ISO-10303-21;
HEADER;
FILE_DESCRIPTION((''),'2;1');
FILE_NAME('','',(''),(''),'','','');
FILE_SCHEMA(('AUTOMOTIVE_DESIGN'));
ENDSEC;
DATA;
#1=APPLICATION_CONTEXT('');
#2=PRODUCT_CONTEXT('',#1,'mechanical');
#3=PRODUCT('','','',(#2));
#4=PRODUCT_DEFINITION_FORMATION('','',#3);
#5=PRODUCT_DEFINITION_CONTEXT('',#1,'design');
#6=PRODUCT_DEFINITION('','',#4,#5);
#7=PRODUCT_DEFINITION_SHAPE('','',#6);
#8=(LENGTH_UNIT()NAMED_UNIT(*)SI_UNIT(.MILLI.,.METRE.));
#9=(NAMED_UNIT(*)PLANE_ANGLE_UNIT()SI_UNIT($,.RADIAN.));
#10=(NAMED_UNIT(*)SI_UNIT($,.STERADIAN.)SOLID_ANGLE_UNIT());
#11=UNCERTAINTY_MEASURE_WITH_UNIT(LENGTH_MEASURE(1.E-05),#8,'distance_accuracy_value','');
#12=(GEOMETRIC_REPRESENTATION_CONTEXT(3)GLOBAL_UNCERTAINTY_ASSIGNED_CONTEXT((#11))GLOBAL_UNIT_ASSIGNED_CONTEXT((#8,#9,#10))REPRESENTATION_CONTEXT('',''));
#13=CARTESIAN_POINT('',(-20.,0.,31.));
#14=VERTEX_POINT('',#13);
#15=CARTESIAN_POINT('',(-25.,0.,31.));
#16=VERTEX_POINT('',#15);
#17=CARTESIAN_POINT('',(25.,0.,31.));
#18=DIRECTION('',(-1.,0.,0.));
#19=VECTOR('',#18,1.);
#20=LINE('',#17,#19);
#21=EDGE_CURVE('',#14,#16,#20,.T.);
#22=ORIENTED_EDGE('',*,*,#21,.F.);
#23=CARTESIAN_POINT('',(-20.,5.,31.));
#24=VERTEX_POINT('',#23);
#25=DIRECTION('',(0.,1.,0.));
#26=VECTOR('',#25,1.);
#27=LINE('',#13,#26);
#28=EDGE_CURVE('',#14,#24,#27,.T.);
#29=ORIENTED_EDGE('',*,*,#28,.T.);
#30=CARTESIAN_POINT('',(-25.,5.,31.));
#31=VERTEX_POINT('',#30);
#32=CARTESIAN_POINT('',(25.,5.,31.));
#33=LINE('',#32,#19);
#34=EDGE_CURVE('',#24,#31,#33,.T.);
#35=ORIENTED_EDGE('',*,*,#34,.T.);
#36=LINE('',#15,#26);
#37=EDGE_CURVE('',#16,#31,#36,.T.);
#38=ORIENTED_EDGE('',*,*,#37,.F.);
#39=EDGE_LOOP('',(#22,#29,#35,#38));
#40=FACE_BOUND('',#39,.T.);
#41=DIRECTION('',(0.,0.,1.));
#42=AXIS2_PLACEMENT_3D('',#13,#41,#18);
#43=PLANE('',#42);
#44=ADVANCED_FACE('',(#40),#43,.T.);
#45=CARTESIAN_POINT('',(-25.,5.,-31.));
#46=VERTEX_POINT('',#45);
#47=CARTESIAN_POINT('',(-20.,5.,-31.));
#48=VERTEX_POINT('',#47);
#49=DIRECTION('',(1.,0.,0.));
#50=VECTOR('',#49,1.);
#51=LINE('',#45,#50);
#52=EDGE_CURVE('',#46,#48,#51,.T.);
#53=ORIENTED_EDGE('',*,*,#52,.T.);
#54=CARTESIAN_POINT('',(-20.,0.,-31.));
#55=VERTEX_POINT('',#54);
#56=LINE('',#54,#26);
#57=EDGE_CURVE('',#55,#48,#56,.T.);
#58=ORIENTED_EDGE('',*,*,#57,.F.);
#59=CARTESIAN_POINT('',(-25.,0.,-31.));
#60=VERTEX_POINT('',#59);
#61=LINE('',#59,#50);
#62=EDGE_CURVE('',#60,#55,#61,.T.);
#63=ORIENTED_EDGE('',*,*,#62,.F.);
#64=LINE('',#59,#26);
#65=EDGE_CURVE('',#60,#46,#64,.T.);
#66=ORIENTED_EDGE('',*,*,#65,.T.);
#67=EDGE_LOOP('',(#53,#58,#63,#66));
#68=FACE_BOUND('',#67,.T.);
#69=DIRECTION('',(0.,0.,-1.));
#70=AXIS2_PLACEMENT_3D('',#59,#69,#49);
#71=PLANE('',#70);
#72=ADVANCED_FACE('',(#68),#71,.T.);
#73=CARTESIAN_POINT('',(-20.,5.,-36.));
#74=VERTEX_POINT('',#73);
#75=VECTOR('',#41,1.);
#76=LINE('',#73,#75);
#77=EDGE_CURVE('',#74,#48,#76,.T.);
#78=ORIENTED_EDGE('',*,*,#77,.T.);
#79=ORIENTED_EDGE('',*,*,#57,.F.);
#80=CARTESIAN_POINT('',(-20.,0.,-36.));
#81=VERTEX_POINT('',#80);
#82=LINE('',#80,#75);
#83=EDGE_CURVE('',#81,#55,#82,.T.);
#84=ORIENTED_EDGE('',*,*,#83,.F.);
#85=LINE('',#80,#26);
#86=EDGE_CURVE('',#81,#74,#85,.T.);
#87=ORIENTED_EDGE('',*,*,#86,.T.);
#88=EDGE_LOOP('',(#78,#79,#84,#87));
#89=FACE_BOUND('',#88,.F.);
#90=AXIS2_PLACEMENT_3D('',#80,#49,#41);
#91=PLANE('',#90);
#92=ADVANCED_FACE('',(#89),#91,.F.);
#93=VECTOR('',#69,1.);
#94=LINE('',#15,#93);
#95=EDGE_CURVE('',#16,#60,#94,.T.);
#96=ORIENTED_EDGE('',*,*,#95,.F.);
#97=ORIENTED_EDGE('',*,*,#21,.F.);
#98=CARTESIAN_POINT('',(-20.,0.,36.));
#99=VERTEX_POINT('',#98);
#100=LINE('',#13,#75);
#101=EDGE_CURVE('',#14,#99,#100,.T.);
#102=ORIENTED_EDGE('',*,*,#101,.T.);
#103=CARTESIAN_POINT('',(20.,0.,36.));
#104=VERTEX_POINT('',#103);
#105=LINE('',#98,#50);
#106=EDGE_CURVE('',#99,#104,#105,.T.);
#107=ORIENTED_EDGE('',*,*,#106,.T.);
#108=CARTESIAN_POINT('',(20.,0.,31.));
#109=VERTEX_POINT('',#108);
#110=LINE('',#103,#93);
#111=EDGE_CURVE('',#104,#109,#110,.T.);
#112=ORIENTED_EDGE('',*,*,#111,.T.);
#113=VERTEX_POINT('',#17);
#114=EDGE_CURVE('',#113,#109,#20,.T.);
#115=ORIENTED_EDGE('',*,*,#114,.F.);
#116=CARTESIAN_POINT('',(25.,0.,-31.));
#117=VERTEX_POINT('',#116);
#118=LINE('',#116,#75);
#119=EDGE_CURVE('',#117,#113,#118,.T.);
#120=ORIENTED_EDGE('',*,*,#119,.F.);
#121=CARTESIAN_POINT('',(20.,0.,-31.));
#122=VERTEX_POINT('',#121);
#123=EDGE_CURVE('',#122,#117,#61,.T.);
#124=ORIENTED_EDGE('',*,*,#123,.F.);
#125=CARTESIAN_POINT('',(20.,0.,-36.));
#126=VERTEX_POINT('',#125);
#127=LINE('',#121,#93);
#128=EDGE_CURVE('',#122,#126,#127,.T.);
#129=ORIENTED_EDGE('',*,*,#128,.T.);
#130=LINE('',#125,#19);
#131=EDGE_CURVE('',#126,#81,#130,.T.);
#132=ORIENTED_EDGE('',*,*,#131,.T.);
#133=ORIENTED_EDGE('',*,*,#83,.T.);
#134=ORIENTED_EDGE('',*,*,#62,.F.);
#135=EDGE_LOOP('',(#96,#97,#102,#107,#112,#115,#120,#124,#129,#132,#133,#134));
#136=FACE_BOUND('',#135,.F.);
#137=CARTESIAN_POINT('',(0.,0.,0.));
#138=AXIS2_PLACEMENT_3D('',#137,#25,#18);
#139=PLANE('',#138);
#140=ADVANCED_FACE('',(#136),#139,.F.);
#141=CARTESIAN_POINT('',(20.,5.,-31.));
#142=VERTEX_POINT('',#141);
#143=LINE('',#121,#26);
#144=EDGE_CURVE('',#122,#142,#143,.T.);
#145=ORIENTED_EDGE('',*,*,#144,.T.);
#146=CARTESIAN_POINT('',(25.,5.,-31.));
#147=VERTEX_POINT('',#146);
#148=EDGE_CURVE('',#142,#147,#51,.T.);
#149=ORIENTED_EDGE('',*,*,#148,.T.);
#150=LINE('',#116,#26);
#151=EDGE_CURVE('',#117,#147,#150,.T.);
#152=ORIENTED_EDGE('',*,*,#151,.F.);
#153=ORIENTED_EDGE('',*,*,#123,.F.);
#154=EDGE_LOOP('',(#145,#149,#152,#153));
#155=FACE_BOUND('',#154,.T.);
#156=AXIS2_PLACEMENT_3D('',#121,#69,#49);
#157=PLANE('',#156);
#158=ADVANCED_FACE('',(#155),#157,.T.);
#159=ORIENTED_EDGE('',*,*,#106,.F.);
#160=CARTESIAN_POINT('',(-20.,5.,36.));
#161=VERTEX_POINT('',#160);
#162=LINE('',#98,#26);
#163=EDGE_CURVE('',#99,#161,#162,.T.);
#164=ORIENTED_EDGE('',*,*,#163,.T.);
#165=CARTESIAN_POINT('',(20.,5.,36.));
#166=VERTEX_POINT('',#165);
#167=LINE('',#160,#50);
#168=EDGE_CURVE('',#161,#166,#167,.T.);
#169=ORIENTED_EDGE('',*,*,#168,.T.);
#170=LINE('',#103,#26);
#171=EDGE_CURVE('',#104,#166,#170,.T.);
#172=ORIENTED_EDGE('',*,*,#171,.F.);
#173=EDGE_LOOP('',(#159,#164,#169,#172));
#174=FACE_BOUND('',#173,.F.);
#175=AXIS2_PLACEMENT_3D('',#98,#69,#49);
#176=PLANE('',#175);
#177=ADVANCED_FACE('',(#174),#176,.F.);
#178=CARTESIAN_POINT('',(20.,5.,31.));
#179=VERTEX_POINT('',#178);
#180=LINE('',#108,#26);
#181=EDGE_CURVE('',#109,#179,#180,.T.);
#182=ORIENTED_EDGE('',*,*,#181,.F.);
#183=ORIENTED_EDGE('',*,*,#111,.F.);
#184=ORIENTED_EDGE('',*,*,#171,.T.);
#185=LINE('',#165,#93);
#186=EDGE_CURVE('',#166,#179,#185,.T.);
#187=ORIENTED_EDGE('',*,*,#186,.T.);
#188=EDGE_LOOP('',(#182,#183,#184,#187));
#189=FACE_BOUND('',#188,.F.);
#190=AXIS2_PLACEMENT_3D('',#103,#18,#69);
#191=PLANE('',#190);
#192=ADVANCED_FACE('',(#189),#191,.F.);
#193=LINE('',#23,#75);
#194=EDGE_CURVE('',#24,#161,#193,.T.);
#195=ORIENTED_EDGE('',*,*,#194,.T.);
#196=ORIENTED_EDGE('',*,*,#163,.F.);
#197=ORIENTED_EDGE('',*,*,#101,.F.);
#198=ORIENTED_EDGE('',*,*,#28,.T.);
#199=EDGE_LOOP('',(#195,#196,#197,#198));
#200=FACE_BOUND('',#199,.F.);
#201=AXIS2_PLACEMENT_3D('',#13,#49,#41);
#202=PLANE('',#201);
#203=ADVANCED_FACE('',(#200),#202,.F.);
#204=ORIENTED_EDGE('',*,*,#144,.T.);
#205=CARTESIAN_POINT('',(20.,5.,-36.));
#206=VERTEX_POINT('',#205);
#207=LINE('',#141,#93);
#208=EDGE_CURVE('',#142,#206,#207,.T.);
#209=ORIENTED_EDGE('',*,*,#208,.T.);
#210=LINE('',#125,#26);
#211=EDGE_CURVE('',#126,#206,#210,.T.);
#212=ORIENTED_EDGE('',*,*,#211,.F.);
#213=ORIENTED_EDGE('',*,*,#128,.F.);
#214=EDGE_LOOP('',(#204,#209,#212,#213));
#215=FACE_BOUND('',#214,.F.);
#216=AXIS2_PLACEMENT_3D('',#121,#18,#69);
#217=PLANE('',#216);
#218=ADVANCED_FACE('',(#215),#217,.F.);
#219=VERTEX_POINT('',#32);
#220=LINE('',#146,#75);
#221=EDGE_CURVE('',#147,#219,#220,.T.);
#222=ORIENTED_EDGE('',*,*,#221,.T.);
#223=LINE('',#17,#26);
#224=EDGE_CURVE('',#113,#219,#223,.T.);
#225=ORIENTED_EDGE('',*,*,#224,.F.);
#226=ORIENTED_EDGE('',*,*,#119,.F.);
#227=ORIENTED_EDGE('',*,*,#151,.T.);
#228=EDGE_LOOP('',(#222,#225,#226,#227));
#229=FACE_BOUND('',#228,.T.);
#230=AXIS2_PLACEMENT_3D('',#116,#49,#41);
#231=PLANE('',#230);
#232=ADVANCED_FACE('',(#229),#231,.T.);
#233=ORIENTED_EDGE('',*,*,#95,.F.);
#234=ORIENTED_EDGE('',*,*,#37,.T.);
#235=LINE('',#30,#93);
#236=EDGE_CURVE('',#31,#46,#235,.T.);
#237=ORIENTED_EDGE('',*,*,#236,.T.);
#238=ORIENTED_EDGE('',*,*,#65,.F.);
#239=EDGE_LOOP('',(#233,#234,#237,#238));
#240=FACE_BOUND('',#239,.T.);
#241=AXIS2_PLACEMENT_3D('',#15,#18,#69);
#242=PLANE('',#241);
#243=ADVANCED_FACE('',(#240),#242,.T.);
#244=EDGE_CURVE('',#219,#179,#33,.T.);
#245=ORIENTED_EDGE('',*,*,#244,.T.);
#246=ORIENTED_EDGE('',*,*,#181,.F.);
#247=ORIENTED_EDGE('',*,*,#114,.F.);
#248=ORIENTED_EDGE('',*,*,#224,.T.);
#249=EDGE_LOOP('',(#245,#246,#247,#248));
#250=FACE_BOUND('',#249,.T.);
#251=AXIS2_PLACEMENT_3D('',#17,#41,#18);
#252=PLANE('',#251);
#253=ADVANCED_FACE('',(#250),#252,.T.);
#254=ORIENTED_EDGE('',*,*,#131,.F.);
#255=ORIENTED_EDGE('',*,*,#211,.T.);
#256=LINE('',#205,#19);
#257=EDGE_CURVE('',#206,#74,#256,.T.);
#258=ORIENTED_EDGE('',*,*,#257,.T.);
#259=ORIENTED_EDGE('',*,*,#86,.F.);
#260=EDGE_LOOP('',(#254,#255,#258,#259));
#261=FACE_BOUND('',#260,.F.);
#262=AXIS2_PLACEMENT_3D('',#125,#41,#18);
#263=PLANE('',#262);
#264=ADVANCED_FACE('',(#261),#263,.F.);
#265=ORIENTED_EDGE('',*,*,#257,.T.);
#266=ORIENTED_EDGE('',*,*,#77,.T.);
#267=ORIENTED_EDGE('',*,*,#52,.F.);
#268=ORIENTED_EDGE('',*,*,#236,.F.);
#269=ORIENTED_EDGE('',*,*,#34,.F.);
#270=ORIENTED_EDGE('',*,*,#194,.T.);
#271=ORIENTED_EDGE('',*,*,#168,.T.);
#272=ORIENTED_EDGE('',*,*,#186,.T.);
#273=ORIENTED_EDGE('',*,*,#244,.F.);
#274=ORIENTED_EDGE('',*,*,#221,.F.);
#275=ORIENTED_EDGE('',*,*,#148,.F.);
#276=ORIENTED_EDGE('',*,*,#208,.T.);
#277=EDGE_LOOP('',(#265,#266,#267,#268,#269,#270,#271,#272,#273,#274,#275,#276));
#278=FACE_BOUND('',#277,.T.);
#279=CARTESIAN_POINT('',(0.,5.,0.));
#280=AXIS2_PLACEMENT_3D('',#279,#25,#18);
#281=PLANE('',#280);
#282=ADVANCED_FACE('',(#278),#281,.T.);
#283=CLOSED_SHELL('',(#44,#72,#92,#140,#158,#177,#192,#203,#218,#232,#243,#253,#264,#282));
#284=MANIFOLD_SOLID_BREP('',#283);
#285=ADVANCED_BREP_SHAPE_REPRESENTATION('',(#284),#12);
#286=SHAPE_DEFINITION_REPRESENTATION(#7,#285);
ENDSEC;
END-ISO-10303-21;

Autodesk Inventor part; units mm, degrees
ref_plane "YZ Plane" through (0, 0, 0) normal (1, 0, 0) x (0, 1, 0)
ref_plane "XZ Plane" through (0, 0, 0) normal (0, 1, 0) x (-1, 0, 0)
ref_plane "XY Plane" through (0, 0, 0) normal (0, 0, 1) x (1, 0, 0)
sketch "Sketch1" plane through (0, 0, 0) normal (0, 1, 0) x (-1, 0, 0)
  line L0 (25, -31) -> (-25, -31)
  line L1 (-25, -31) -> (-25, 31)
  line L2 (-25, 31) -> (25, 31)
  line L3 (25, 31) -> (25, -31)
  line L4 (25, -31) -> (-25, 31) construction
  line L5 (-25, -31) -> (25, 31) construction
  line L6 (-20, -36) -> (20, -36)
  line L7 (20, -36) -> (20, -31)
  line L8 (20, -31) -> (-20, -31)
  line L9 (-20, -31) -> (-20, -36)
  line L10 (-20, -36) -> (20, -31) construction
  line L11 (20, -36) -> (-20, -31) construction
  line L12 (-20, 31) -> (20, 31)
  line L13 (20, 31) -> (20, 36)
  line L14 (20, 36) -> (-20, 36)
  line L15 (-20, 36) -> (-20, 31)
  line L16 (-20, 31) -> (20, 36) construction
  line L17 (20, 31) -> (-20, 36) construction
  line L18 (0, 0) -> (0, -31) construction
  line L19 (0, -33.5) -> (0, -36) construction
  line L20 (0, 33.5) -> (0, 31) construction
  point P0 (-20, 31)
  point P1 (-20, -31)
  point P2 (20, -31)
  point P3 (20, 31)
  dimension "d0" = 5
  dimension "d1" = 5
  dimension "d2" = 40
  dimension "d3" = 40
  dimension "d4" = 62
  dimension "d5" = 50
extrude "Extrusion1" add sketch "Sketch1" along normal blind 5
properties part number "Non-Rotating Carousel Wall" material "PLA 33 Plastic"
